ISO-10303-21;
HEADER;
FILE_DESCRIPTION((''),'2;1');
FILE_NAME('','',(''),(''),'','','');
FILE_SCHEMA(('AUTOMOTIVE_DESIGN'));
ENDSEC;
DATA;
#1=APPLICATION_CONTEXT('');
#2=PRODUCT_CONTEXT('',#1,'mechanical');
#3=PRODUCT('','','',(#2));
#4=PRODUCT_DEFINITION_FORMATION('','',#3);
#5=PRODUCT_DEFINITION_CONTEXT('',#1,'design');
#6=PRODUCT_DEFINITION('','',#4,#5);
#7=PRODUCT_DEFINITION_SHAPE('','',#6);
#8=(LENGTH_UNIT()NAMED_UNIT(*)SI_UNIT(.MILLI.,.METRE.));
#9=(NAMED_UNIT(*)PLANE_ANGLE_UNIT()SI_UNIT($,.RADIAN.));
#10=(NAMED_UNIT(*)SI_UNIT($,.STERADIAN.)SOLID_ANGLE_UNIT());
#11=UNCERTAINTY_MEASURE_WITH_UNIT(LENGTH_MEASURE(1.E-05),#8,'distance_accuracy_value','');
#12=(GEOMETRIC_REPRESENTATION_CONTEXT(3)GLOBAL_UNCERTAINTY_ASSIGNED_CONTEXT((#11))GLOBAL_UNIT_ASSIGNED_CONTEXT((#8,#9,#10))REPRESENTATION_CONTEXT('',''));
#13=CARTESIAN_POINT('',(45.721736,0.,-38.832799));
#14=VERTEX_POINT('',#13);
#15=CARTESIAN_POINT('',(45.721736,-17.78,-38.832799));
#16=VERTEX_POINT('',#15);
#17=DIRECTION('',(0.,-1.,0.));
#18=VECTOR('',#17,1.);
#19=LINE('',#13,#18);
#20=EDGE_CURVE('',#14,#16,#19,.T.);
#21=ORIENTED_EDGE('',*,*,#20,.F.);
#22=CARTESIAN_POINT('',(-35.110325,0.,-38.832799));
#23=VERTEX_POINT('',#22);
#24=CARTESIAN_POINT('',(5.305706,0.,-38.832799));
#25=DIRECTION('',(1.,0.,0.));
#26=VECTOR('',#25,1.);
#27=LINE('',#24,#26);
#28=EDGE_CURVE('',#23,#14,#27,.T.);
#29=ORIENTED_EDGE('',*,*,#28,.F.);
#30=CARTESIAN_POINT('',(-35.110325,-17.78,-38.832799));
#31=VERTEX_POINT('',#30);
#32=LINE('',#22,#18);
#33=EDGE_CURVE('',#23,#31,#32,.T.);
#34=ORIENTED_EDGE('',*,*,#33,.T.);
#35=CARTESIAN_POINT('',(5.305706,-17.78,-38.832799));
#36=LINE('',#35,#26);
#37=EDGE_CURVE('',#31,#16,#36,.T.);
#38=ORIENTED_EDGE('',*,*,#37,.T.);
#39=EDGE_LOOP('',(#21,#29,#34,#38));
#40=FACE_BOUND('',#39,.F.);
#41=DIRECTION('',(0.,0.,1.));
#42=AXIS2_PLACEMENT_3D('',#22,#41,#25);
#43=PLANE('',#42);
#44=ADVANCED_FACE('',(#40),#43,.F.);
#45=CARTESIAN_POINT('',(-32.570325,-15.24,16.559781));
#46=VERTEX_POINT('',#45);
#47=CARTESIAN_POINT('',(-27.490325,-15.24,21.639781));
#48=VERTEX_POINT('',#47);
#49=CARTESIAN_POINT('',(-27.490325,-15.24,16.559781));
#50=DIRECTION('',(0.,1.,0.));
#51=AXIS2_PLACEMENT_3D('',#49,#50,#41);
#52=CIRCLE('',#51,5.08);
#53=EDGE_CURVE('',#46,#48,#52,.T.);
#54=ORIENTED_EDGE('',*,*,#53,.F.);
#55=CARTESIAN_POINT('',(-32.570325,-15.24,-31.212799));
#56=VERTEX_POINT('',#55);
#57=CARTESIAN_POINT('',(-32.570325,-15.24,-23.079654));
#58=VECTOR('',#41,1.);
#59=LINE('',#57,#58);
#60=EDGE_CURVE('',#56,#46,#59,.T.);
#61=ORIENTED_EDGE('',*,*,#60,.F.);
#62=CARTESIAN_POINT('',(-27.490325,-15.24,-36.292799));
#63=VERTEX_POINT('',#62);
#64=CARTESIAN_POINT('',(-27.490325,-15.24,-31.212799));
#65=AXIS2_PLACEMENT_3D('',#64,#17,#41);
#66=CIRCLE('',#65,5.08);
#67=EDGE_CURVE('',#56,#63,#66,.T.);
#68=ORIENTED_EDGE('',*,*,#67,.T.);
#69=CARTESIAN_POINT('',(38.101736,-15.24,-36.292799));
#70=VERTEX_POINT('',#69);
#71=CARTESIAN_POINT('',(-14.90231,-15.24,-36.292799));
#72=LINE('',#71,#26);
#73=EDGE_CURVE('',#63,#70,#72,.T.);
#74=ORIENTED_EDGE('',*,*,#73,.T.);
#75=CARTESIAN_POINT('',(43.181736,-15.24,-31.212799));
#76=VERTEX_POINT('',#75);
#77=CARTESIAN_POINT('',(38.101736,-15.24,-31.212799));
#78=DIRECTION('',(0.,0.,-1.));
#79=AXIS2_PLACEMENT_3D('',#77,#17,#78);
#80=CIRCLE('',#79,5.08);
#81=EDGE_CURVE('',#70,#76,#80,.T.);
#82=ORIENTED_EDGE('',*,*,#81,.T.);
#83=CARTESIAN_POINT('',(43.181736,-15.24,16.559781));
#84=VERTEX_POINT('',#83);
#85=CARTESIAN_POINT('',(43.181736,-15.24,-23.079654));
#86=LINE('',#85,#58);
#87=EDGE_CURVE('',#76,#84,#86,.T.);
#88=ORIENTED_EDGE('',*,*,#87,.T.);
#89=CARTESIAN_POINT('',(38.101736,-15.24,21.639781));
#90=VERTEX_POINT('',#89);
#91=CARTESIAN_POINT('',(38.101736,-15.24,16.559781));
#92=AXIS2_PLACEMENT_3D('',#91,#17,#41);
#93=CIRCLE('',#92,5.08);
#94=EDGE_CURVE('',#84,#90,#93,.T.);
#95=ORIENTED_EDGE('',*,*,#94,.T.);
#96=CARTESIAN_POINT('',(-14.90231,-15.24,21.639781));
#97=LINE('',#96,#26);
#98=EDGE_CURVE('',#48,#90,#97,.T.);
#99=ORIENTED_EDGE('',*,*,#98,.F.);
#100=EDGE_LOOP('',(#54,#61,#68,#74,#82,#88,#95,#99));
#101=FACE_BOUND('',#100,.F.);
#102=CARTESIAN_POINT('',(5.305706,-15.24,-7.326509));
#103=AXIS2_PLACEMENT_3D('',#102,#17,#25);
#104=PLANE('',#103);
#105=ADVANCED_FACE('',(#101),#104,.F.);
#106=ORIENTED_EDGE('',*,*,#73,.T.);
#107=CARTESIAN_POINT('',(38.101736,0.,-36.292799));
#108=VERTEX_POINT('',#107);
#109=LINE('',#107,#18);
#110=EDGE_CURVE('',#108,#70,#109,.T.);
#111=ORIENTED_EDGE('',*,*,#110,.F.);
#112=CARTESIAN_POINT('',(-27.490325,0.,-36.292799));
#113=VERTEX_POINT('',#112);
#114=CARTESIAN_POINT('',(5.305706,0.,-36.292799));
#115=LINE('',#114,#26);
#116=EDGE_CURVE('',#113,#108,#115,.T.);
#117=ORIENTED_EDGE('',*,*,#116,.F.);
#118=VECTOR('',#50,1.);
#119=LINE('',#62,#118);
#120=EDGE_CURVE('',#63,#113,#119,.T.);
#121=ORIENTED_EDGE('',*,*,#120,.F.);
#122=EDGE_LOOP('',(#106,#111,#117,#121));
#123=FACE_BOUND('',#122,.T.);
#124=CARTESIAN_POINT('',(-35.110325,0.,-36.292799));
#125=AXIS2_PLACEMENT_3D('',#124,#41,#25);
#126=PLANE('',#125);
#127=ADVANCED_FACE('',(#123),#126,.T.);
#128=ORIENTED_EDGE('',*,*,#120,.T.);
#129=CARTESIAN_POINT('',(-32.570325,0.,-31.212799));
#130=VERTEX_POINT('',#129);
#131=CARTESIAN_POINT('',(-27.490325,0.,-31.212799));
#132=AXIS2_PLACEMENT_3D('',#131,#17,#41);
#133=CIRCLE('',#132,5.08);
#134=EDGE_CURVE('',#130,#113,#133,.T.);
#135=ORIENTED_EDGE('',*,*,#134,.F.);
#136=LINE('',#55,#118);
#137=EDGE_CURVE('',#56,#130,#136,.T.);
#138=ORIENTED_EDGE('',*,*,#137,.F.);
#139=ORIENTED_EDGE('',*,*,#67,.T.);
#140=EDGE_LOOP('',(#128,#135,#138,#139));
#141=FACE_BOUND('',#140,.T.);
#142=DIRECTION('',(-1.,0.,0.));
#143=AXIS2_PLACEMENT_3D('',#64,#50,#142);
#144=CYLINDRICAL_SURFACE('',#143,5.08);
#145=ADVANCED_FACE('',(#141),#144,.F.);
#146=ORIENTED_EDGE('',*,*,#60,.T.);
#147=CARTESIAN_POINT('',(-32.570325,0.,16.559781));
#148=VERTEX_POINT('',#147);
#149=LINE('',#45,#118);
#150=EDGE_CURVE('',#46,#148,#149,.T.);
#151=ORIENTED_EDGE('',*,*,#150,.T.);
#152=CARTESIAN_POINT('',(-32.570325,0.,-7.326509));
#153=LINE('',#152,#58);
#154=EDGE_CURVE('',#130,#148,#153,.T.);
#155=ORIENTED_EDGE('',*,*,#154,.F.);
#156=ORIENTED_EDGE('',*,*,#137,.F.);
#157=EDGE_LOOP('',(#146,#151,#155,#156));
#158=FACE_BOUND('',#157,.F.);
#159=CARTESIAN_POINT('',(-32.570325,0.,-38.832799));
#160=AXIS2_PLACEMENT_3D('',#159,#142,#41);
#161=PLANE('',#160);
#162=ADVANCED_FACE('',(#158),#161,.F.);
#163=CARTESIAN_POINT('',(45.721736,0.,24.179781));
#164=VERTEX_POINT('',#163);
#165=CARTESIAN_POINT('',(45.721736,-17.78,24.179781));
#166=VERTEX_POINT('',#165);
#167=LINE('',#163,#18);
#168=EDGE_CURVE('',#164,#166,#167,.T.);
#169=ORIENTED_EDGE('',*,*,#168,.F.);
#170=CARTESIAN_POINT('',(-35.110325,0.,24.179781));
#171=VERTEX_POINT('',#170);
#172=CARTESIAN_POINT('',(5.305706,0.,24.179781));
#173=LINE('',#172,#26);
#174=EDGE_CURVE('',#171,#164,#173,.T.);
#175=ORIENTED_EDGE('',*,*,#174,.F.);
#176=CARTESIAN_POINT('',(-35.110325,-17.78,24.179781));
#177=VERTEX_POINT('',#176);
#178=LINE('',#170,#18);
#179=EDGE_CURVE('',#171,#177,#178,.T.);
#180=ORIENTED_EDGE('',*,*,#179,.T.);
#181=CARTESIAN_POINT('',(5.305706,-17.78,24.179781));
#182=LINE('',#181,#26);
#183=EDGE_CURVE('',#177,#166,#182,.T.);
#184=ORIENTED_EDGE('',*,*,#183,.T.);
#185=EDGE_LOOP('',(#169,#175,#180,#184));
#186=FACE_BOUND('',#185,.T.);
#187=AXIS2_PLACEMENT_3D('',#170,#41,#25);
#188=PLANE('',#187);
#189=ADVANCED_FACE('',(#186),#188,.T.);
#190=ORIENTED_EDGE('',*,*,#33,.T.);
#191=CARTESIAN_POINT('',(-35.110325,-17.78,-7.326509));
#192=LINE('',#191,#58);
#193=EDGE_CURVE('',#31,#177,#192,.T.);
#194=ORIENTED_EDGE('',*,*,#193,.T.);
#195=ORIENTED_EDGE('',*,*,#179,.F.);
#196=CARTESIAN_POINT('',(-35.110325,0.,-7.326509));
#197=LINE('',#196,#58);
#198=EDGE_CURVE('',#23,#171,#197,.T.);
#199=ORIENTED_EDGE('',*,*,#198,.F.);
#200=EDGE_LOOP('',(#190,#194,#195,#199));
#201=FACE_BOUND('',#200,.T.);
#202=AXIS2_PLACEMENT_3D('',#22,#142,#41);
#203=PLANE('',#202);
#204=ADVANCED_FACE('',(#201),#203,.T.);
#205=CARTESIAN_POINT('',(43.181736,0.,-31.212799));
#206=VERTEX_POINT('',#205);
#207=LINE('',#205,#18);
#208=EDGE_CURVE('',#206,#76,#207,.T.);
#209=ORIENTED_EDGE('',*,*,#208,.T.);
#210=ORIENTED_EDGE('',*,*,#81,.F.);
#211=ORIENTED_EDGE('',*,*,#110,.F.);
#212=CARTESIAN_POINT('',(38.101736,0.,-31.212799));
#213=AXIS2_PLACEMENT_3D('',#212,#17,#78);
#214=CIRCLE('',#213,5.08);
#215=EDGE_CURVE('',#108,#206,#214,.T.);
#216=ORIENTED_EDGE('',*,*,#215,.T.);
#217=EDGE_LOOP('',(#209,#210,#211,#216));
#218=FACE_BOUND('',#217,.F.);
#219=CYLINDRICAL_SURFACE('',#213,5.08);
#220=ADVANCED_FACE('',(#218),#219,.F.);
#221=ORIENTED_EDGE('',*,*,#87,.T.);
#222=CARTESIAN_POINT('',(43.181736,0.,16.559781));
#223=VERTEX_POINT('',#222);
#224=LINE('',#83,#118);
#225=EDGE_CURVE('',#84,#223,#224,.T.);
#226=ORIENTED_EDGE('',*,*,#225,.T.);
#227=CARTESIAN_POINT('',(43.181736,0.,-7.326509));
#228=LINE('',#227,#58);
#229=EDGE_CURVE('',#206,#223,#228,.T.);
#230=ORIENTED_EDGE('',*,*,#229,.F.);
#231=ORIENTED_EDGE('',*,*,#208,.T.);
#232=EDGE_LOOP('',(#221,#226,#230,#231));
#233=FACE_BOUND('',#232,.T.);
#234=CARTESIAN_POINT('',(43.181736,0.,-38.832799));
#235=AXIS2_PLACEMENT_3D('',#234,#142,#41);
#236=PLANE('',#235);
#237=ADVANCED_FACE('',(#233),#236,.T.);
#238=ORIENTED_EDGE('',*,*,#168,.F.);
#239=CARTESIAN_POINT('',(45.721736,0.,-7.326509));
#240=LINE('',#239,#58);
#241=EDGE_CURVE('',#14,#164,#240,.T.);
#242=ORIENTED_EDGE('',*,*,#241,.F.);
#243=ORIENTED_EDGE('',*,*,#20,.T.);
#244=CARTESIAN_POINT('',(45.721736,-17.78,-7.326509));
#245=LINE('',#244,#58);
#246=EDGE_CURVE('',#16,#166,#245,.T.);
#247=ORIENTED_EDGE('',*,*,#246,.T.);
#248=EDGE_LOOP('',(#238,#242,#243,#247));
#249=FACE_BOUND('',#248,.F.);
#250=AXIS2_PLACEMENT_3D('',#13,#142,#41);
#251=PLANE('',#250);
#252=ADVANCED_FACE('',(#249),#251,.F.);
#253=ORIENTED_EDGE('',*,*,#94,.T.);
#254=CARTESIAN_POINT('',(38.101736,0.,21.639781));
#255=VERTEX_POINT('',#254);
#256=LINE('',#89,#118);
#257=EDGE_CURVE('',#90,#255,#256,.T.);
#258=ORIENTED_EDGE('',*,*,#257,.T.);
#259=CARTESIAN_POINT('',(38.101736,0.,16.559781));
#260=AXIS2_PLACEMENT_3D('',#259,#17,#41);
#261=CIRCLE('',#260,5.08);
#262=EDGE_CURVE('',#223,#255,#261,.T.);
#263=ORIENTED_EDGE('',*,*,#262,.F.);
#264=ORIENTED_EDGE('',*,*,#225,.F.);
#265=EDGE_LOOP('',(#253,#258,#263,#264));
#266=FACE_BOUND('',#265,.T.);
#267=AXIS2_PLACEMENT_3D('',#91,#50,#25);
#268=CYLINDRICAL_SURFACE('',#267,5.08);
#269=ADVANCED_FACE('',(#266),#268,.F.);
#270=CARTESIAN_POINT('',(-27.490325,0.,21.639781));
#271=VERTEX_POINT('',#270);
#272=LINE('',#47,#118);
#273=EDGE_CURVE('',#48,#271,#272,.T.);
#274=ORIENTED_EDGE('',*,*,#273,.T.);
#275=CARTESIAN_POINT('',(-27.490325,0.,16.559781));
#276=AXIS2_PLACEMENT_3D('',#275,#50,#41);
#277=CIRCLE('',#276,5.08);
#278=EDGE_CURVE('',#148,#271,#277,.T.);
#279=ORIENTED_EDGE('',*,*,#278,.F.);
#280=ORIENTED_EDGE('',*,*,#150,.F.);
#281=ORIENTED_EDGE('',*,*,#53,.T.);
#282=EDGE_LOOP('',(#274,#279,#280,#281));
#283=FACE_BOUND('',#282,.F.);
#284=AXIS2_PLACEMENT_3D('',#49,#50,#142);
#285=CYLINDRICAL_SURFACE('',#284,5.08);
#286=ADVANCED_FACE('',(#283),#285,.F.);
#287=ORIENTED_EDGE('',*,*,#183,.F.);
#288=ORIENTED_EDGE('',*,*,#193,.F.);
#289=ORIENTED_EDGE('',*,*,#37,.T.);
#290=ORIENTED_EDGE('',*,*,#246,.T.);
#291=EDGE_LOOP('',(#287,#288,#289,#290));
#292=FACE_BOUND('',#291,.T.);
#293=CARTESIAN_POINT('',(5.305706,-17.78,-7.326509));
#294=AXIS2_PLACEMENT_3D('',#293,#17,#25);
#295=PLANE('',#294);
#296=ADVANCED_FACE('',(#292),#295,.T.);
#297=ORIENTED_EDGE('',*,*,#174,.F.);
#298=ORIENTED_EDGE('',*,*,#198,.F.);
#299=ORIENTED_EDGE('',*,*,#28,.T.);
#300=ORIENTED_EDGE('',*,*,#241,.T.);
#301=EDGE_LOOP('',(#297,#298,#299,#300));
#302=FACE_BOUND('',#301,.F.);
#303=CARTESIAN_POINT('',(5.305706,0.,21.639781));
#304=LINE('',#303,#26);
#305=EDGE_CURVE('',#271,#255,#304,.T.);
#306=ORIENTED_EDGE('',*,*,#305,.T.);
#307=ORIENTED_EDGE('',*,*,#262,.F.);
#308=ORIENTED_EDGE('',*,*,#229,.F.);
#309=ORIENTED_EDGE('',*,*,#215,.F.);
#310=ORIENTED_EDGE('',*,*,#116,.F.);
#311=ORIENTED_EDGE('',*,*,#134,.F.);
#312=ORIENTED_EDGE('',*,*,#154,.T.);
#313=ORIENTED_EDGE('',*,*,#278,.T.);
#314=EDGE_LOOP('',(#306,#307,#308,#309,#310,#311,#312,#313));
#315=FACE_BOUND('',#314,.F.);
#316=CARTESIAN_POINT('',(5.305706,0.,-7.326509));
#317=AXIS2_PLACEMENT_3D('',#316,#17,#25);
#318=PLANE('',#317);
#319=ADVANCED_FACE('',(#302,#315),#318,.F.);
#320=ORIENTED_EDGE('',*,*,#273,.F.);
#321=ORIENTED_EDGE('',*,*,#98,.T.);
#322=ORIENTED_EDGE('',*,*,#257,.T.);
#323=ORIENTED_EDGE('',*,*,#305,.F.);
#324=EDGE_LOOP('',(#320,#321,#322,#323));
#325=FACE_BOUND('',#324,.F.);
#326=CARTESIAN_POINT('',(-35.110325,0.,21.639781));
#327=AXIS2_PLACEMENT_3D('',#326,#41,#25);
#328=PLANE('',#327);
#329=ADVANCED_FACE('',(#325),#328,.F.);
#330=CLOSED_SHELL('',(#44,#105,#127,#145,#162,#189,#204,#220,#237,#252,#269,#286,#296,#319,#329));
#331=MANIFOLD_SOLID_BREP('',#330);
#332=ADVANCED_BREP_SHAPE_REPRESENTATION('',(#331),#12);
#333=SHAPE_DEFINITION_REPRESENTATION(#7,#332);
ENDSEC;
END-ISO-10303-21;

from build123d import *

# Parameters (mm, degrees)
F0_W     = 80.8320604265
F0_H     = 63.012579456
F1_DEPTH = 17.78
F2_T     = -2.54
F3_R     = 5.08


with BuildPart() as f1:
    # F0 (on Front) → F1 (new body)
    with BuildSketch(Plane.XZ):
        with Locations((5.305705592, -7.3265088722)):
            Rectangle(F0_W, F0_H)
    extrude(amount=F1_DEPTH)

    # F2
    f2_openings = [f1.faces().sort_by_distance(p)[0] for p in [
        (5.305706, 0, -7.326509),
    ]]
    offset(amount=F2_T, openings=f2_openings)

    # F3
    f3_edges = [f1.edges().sort_by_distance(p)[0] for p in [
        (-32.570325, -7.62, 21.639781),
        (43.181736, -7.62, 21.639781),
        (43.181736, -7.62, -36.292799),
        (-32.570325, -7.62, -36.292799),
    ]]
    fillet(f3_edges, radius=F3_R)


solid = f1.part
